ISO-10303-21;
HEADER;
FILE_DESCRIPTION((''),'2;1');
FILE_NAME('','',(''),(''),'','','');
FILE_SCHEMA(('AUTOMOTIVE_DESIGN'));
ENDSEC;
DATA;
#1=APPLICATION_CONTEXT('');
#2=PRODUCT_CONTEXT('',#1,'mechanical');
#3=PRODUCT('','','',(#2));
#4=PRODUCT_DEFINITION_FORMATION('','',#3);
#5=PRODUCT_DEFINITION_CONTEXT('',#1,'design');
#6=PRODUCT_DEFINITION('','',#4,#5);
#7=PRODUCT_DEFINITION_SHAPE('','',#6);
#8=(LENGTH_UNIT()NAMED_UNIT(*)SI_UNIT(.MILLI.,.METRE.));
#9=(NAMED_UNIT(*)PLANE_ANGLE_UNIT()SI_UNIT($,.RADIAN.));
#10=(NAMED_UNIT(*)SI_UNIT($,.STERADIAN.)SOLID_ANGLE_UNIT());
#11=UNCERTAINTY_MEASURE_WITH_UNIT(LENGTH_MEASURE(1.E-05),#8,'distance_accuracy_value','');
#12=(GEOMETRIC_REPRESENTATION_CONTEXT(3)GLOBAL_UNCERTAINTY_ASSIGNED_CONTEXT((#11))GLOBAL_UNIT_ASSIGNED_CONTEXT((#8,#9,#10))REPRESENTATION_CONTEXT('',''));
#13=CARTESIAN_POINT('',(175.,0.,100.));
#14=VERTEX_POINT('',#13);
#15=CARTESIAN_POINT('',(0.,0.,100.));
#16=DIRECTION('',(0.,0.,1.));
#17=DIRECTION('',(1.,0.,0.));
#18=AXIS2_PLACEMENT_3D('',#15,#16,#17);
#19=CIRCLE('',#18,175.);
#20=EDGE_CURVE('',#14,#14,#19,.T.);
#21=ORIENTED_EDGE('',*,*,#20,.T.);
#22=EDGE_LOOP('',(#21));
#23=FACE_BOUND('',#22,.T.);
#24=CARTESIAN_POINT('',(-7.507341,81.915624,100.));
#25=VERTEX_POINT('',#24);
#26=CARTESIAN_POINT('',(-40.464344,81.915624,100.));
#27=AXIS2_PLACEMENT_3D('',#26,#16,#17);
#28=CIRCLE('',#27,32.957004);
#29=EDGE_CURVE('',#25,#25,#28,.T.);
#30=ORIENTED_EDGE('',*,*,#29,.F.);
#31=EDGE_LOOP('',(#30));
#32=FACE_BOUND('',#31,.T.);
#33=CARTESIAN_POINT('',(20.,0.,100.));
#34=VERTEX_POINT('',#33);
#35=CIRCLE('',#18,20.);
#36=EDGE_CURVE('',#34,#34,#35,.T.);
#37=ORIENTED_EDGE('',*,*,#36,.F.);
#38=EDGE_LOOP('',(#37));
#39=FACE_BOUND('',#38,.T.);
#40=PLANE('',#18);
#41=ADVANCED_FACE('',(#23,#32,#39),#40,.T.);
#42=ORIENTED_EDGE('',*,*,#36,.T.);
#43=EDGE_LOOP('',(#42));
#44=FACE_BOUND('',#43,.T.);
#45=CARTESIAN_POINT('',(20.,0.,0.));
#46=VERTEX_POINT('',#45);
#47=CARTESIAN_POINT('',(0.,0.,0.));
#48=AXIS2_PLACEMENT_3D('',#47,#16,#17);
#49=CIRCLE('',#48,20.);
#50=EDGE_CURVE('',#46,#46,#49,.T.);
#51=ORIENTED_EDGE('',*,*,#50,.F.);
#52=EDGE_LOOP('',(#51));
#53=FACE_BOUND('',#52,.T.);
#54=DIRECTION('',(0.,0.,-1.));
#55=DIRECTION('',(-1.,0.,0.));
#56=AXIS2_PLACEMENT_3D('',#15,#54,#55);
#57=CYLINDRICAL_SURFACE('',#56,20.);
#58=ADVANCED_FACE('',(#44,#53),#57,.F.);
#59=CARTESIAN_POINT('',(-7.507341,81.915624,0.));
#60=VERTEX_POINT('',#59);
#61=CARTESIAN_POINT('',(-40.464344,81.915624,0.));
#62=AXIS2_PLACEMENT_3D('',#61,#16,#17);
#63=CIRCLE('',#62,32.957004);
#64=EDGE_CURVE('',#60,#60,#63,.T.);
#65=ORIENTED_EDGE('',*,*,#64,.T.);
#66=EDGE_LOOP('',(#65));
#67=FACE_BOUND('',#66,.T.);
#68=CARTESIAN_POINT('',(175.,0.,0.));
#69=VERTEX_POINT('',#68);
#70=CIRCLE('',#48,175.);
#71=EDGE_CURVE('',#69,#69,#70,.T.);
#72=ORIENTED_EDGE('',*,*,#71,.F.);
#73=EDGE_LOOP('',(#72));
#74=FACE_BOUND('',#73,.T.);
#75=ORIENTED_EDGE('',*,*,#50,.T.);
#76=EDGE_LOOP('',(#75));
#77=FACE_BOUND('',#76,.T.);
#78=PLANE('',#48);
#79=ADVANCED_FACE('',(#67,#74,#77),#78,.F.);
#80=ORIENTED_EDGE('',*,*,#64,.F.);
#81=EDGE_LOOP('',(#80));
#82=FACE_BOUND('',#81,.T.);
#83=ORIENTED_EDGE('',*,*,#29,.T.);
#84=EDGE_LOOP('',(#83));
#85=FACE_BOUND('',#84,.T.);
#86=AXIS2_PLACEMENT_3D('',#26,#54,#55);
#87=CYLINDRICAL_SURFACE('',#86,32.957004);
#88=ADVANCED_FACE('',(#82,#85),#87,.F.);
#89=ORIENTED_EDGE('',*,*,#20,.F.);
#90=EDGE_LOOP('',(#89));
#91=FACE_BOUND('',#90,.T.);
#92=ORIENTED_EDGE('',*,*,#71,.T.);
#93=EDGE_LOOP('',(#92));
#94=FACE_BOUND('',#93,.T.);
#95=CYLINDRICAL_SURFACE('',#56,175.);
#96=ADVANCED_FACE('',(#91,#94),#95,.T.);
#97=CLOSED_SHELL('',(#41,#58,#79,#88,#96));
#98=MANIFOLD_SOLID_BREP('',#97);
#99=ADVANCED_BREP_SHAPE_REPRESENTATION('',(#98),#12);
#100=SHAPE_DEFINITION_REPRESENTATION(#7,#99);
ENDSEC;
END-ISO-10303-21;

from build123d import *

# Parameters (mm, degrees)
SKETCH_1_R      = 175
SKETCH_1_R_2    = 20
SKETCH_1_R_3    = 32.95700388
EXTRUDE_1_DEPTH = 100


with BuildPart() as part:
    # ｽｹｯﾁ1 → ﾎﾞｽ - 押し出し1 (new body)
    with BuildSketch(Plane.XY):
        Circle(SKETCH_1_R)
        Circle(SKETCH_1_R_2, mode=Mode.SUBTRACT)
        with Locations((-40.464344387, 81.915624004)):
            Circle(SKETCH_1_R_3, mode=Mode.SUBTRACT)
    extrude(amount=EXTRUDE_1_DEPTH)


solid = part.part
